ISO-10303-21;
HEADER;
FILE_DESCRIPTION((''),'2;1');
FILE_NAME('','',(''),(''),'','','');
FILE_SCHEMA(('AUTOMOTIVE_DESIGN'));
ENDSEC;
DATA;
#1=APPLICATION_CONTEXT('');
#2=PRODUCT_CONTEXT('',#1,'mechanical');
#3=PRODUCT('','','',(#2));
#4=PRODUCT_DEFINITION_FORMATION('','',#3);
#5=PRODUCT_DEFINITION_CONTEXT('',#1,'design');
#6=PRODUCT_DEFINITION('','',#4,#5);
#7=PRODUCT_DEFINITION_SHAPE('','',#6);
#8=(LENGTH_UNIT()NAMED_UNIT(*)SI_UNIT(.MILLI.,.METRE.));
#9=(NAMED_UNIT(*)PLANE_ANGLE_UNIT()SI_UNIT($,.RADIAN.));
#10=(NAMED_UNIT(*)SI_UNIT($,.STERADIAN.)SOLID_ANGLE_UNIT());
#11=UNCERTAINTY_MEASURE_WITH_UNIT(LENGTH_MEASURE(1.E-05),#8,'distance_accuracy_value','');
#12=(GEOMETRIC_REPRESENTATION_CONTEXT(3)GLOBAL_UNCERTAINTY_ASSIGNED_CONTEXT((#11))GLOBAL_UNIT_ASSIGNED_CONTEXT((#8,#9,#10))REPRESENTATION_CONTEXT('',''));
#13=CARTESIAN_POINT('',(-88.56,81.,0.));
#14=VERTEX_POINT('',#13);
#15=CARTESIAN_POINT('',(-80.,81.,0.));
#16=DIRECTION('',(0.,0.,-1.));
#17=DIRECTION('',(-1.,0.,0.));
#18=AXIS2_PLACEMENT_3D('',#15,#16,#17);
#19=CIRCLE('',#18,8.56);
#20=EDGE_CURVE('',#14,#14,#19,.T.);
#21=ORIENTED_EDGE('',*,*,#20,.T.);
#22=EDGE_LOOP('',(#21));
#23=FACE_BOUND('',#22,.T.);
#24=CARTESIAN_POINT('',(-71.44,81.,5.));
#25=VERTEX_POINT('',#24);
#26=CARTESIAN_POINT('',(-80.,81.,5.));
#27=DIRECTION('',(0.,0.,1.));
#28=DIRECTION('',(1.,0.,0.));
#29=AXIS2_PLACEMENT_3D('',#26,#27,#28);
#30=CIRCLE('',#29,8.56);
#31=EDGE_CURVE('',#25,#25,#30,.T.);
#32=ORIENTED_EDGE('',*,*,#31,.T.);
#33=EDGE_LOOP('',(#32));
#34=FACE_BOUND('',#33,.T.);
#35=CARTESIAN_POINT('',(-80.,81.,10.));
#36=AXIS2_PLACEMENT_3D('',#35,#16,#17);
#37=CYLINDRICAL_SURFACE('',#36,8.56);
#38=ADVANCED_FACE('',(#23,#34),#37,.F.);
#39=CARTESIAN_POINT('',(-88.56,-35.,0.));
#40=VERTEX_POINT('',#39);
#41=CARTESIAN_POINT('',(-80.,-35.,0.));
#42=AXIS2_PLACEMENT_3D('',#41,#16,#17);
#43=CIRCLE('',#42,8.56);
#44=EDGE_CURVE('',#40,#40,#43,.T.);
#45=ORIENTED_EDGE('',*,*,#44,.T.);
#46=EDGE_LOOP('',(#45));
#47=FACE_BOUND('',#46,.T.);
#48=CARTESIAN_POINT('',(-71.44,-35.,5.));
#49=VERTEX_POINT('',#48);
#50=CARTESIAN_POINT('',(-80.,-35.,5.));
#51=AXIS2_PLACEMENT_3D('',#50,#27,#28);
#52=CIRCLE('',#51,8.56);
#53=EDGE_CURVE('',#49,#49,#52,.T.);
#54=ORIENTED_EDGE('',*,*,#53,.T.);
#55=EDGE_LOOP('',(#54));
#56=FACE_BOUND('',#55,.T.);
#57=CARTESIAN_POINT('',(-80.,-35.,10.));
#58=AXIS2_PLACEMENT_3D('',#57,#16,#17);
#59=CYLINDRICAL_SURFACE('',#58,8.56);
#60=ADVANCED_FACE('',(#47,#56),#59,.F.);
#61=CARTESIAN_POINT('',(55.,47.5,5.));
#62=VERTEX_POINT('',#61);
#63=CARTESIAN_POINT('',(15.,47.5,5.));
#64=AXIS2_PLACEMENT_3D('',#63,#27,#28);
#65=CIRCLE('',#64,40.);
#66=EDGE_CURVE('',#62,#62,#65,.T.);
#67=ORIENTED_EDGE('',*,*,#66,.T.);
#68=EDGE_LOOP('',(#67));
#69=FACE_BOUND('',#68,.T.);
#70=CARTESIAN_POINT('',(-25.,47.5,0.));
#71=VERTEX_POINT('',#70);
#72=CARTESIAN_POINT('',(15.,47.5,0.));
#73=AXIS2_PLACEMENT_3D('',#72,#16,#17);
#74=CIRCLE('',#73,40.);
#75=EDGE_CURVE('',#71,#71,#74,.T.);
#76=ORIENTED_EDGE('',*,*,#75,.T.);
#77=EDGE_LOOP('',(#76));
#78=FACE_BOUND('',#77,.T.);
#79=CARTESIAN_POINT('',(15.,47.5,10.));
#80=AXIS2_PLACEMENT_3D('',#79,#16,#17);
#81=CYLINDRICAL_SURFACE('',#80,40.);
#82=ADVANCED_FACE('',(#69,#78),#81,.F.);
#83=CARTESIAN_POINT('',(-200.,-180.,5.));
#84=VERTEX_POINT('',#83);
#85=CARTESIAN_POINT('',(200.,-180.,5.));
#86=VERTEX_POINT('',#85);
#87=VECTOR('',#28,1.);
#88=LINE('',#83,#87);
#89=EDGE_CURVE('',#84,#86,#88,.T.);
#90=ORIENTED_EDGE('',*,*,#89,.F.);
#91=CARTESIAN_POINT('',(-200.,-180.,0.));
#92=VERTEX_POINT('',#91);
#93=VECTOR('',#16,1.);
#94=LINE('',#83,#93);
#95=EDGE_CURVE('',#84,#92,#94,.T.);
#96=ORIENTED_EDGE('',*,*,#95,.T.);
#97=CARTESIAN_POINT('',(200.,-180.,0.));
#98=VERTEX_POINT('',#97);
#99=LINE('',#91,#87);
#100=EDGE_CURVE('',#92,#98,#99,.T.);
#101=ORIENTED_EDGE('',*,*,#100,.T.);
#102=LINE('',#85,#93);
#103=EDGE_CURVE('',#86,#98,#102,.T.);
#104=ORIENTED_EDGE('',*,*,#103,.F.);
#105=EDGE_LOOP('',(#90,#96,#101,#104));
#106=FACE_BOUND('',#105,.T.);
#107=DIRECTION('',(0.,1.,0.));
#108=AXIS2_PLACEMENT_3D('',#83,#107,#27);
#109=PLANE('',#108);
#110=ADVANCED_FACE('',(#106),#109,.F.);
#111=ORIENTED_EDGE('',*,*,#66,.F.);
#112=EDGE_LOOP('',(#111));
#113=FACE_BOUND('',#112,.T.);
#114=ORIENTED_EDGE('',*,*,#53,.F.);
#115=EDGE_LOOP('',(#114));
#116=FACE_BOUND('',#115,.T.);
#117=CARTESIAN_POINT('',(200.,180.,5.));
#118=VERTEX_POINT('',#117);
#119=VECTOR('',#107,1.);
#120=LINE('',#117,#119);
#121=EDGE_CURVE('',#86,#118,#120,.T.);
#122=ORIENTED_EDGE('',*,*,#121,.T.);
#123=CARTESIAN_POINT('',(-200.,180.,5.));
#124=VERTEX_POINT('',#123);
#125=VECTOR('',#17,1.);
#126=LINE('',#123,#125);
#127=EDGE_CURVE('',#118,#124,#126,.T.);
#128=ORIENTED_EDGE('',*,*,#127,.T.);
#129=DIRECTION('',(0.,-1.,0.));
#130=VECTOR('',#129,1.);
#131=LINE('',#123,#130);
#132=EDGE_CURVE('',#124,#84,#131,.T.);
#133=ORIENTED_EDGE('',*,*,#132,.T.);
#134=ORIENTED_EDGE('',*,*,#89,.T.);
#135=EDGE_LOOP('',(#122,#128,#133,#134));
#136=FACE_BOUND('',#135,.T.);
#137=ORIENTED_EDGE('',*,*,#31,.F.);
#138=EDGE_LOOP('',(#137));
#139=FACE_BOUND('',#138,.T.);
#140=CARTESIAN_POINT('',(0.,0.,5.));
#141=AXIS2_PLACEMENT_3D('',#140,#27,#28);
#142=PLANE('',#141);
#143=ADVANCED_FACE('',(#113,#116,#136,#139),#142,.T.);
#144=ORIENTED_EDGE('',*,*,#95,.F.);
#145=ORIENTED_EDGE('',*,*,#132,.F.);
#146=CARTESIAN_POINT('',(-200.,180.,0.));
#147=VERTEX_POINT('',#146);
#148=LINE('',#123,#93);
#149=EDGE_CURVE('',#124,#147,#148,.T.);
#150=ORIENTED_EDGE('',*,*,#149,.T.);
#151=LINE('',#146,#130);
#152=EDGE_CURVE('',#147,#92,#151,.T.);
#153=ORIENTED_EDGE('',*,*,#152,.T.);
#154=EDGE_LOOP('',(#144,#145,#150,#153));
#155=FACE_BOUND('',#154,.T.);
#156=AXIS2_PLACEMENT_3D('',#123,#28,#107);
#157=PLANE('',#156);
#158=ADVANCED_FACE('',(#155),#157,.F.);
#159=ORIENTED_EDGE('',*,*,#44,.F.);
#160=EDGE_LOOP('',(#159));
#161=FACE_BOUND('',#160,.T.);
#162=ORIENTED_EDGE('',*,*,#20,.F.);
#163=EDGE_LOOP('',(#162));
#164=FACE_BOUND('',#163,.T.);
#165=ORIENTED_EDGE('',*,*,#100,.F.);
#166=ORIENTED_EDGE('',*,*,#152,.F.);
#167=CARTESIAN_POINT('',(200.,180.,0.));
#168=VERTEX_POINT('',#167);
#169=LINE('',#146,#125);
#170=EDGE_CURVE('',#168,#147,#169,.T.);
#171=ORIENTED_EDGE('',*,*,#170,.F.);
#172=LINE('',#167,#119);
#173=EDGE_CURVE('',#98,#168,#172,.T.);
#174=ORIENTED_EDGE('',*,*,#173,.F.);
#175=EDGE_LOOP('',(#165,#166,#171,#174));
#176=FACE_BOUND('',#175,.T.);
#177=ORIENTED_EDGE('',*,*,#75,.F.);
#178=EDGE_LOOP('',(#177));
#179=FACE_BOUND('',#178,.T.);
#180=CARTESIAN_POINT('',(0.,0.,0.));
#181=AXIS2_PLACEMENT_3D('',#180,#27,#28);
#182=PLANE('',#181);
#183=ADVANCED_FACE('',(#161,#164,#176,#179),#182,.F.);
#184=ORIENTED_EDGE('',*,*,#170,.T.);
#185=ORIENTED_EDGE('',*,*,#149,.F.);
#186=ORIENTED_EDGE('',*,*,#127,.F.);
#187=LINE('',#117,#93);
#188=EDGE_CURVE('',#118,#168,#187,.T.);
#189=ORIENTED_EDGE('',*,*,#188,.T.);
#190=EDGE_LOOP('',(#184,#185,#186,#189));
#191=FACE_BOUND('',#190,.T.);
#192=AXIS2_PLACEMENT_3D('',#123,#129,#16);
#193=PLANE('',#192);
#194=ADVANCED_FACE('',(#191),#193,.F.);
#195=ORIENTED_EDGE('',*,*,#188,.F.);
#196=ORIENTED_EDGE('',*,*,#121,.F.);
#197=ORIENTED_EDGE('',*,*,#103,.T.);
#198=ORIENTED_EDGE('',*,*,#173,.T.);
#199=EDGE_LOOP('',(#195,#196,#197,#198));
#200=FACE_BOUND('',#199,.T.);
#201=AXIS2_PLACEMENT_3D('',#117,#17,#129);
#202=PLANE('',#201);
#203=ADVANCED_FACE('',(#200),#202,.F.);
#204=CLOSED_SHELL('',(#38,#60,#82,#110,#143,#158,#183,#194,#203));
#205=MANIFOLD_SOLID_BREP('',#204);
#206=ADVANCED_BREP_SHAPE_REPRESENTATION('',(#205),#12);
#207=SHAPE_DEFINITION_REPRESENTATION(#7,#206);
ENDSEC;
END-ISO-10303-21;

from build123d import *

# Parameters (mm, degrees)
ESQUISSE1_W             = 400
ESQUISSE1_H             = 360
BOSS_EXTRU_1_DEPTH      = 5
ESQUISSE5_R             = 8.56
ENL_V_MAT_EXTRU_3_DEPTH = 10
ESQUISSE6_R             = 40
ENL_V_MAT_EXTRU_4_DEPTH = 10


with BuildPart() as part:
    # Esquisse1 → Boss.-Extru.1 (new body)
    with BuildSketch(Plane.XY):
        Rectangle(ESQUISSE1_W, ESQUISSE1_H)
    extrude(amount=BOSS_EXTRU_1_DEPTH)

    # Esquisse5 → Enlèv. mat.-Extru.3 (cut)
    with BuildSketch(Plane(origin=(0, 0, 0), x_dir=(-1, 0, 0), z_dir=(0, 0, -1))):
        with Locations((80, 81)):
            Circle(ESQUISSE5_R)
        with Locations((80, -35)):
            Circle(ESQUISSE5_R)
    extrude(amount=-ENL_V_MAT_EXTRU_3_DEPTH, mode=Mode.SUBTRACT)

    # Esquisse6 → Enlèv. mat.-Extru.4 (cut)
    with BuildSketch(Plane(origin=(0, 0, 0), x_dir=(-1, 0, 0), z_dir=(0, 0, -1))):
        with Locations((-15, 47.5)):
            Circle(ESQUISSE6_R)
    extrude(amount=-ENL_V_MAT_EXTRU_4_DEPTH, mode=Mode.SUBTRACT)


solid = part.part
